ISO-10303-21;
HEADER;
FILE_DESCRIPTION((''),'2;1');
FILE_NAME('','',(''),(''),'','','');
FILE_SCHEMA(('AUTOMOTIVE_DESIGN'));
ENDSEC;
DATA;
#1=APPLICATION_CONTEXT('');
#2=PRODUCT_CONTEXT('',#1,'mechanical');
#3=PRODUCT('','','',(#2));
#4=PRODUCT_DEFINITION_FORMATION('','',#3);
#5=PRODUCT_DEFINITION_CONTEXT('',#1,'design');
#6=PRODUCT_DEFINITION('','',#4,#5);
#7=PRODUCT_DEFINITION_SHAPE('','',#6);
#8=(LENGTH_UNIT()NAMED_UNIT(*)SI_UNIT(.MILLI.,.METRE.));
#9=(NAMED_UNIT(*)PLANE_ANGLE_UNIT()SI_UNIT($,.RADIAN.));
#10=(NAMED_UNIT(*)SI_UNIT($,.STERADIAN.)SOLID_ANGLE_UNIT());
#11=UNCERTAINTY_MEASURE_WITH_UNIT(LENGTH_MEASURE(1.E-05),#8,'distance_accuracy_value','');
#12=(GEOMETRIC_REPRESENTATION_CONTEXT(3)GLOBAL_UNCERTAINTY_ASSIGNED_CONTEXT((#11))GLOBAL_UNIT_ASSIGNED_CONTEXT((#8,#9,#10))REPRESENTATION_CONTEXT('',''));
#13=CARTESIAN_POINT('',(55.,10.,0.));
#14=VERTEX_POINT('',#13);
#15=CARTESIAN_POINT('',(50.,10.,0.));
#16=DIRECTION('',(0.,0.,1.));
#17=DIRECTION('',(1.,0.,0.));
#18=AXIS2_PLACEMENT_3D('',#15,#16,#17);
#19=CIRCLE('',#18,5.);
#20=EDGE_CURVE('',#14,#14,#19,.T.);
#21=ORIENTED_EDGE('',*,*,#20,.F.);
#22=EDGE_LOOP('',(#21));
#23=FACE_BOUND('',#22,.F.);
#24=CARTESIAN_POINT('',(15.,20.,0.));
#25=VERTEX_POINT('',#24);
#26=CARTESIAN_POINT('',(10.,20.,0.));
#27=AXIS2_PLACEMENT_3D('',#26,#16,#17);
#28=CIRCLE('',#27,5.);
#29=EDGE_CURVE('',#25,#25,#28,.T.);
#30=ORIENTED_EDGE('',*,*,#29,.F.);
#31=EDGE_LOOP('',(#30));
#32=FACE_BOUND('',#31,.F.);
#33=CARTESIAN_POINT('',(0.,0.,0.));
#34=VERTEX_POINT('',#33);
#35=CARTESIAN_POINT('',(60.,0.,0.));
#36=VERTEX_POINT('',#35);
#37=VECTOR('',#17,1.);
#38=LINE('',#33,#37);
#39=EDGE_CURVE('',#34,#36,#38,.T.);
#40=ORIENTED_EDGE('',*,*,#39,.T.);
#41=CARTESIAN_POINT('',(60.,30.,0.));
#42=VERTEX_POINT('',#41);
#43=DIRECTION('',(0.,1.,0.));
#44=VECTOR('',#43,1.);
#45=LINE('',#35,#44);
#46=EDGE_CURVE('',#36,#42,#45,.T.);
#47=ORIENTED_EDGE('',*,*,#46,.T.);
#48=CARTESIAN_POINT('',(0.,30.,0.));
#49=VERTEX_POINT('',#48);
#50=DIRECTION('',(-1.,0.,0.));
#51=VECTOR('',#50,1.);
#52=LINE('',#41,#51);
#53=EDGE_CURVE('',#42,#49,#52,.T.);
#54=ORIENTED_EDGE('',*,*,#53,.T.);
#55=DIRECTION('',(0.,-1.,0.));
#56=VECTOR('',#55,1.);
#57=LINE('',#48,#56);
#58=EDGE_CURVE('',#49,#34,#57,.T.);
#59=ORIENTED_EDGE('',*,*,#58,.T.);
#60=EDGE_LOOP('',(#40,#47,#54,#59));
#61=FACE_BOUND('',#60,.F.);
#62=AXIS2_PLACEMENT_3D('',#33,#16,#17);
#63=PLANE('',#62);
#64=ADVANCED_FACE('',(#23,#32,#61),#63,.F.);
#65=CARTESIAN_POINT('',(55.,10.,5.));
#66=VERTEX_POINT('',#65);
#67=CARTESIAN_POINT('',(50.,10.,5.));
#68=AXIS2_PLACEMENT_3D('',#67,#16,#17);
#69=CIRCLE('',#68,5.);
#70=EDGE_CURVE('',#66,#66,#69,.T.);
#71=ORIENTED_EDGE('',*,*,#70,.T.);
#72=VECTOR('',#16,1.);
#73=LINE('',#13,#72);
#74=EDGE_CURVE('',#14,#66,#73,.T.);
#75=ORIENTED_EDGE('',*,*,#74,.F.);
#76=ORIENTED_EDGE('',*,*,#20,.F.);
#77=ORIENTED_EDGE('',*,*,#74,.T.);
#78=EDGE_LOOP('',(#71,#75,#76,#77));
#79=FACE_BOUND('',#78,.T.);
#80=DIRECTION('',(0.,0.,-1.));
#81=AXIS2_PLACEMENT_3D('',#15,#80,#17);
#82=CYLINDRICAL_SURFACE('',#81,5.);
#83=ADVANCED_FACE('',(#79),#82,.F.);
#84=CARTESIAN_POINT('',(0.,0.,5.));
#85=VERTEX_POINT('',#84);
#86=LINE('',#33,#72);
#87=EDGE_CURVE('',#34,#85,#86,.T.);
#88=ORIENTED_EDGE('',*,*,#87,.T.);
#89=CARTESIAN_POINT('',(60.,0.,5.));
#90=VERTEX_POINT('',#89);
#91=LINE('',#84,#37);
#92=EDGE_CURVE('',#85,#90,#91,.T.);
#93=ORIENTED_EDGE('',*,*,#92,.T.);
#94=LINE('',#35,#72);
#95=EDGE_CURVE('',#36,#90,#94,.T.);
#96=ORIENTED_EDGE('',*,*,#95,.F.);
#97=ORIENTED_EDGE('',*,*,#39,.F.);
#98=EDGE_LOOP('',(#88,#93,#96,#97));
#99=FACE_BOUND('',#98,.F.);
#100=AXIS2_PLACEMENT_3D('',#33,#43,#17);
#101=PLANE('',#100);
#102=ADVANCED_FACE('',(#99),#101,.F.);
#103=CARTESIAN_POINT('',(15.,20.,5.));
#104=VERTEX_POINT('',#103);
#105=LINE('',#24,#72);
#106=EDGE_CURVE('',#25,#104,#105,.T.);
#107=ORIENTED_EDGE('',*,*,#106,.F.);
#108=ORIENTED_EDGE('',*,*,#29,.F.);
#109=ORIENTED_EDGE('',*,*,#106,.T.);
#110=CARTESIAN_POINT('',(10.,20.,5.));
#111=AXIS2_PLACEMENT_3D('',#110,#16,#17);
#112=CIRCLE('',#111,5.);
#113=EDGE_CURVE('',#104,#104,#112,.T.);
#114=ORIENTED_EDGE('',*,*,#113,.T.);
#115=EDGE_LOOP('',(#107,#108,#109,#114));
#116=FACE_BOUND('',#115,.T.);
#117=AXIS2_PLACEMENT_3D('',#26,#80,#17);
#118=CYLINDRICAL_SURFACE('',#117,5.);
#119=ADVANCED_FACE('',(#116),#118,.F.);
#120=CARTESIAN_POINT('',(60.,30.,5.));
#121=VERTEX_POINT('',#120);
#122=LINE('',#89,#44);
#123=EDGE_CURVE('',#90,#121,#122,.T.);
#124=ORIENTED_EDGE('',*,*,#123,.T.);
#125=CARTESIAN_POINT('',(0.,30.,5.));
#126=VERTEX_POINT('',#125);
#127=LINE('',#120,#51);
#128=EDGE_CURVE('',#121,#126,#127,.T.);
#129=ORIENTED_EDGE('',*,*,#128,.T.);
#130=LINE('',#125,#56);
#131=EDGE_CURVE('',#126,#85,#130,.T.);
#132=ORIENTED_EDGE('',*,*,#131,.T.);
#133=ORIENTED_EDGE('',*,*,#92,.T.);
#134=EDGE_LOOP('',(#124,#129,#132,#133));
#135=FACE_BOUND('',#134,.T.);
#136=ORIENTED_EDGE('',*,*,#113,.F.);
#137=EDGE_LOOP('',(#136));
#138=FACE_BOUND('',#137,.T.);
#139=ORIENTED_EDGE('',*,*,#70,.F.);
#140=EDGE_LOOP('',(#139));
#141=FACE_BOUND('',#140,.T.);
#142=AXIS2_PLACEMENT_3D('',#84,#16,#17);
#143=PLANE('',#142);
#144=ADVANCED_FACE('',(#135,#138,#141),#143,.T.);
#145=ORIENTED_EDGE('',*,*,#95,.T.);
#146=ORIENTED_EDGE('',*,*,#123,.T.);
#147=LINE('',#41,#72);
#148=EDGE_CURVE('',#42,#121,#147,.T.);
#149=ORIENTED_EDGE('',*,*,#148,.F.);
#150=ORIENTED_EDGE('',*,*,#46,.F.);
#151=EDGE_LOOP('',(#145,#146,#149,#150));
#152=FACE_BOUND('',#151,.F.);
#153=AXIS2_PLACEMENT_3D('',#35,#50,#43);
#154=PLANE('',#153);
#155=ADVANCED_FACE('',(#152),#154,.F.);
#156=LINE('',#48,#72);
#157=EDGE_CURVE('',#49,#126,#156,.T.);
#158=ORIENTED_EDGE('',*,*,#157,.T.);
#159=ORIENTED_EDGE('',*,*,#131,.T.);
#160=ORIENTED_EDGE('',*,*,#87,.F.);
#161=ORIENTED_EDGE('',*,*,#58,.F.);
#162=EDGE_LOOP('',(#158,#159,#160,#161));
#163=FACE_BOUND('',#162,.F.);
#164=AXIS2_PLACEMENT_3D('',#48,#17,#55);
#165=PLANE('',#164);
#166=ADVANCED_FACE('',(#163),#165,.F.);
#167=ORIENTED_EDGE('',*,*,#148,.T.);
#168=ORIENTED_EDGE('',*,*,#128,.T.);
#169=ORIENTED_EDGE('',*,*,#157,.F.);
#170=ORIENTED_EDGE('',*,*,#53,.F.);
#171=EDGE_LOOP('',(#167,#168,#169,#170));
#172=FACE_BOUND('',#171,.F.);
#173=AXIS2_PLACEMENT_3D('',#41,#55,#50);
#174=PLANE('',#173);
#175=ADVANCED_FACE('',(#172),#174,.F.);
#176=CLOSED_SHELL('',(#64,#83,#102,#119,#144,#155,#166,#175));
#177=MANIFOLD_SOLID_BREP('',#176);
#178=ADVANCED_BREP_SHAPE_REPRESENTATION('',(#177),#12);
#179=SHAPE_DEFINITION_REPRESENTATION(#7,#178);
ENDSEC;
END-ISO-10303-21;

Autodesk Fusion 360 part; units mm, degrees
sketch "Sketch1" plane through (0, 0, 0) normal (0, 0, 1) x (1, 0, 0)
  line L0 (0, 0) -> (60, 0)
  line L1 (60, 0) -> (60, 30)
  line L2 (60, 30) -> (0, 30)
  line L3 (0, 30) -> (0, 0)
  circle A0 centre (10, 20) radius 5
  circle A1 centre (50, 10) radius 5
  dimension "d1" = 60
  dimension "d2" = 30
  dimension "d3" = 10
  dimension "d4" = 10
  dimension "d5" = 10
  dimension "d6" = 10
  dimension "d7" = 10
  dimension "d8" = 10
extrude "Extrude1" add sketch "Sketch1" along normal blind 5
